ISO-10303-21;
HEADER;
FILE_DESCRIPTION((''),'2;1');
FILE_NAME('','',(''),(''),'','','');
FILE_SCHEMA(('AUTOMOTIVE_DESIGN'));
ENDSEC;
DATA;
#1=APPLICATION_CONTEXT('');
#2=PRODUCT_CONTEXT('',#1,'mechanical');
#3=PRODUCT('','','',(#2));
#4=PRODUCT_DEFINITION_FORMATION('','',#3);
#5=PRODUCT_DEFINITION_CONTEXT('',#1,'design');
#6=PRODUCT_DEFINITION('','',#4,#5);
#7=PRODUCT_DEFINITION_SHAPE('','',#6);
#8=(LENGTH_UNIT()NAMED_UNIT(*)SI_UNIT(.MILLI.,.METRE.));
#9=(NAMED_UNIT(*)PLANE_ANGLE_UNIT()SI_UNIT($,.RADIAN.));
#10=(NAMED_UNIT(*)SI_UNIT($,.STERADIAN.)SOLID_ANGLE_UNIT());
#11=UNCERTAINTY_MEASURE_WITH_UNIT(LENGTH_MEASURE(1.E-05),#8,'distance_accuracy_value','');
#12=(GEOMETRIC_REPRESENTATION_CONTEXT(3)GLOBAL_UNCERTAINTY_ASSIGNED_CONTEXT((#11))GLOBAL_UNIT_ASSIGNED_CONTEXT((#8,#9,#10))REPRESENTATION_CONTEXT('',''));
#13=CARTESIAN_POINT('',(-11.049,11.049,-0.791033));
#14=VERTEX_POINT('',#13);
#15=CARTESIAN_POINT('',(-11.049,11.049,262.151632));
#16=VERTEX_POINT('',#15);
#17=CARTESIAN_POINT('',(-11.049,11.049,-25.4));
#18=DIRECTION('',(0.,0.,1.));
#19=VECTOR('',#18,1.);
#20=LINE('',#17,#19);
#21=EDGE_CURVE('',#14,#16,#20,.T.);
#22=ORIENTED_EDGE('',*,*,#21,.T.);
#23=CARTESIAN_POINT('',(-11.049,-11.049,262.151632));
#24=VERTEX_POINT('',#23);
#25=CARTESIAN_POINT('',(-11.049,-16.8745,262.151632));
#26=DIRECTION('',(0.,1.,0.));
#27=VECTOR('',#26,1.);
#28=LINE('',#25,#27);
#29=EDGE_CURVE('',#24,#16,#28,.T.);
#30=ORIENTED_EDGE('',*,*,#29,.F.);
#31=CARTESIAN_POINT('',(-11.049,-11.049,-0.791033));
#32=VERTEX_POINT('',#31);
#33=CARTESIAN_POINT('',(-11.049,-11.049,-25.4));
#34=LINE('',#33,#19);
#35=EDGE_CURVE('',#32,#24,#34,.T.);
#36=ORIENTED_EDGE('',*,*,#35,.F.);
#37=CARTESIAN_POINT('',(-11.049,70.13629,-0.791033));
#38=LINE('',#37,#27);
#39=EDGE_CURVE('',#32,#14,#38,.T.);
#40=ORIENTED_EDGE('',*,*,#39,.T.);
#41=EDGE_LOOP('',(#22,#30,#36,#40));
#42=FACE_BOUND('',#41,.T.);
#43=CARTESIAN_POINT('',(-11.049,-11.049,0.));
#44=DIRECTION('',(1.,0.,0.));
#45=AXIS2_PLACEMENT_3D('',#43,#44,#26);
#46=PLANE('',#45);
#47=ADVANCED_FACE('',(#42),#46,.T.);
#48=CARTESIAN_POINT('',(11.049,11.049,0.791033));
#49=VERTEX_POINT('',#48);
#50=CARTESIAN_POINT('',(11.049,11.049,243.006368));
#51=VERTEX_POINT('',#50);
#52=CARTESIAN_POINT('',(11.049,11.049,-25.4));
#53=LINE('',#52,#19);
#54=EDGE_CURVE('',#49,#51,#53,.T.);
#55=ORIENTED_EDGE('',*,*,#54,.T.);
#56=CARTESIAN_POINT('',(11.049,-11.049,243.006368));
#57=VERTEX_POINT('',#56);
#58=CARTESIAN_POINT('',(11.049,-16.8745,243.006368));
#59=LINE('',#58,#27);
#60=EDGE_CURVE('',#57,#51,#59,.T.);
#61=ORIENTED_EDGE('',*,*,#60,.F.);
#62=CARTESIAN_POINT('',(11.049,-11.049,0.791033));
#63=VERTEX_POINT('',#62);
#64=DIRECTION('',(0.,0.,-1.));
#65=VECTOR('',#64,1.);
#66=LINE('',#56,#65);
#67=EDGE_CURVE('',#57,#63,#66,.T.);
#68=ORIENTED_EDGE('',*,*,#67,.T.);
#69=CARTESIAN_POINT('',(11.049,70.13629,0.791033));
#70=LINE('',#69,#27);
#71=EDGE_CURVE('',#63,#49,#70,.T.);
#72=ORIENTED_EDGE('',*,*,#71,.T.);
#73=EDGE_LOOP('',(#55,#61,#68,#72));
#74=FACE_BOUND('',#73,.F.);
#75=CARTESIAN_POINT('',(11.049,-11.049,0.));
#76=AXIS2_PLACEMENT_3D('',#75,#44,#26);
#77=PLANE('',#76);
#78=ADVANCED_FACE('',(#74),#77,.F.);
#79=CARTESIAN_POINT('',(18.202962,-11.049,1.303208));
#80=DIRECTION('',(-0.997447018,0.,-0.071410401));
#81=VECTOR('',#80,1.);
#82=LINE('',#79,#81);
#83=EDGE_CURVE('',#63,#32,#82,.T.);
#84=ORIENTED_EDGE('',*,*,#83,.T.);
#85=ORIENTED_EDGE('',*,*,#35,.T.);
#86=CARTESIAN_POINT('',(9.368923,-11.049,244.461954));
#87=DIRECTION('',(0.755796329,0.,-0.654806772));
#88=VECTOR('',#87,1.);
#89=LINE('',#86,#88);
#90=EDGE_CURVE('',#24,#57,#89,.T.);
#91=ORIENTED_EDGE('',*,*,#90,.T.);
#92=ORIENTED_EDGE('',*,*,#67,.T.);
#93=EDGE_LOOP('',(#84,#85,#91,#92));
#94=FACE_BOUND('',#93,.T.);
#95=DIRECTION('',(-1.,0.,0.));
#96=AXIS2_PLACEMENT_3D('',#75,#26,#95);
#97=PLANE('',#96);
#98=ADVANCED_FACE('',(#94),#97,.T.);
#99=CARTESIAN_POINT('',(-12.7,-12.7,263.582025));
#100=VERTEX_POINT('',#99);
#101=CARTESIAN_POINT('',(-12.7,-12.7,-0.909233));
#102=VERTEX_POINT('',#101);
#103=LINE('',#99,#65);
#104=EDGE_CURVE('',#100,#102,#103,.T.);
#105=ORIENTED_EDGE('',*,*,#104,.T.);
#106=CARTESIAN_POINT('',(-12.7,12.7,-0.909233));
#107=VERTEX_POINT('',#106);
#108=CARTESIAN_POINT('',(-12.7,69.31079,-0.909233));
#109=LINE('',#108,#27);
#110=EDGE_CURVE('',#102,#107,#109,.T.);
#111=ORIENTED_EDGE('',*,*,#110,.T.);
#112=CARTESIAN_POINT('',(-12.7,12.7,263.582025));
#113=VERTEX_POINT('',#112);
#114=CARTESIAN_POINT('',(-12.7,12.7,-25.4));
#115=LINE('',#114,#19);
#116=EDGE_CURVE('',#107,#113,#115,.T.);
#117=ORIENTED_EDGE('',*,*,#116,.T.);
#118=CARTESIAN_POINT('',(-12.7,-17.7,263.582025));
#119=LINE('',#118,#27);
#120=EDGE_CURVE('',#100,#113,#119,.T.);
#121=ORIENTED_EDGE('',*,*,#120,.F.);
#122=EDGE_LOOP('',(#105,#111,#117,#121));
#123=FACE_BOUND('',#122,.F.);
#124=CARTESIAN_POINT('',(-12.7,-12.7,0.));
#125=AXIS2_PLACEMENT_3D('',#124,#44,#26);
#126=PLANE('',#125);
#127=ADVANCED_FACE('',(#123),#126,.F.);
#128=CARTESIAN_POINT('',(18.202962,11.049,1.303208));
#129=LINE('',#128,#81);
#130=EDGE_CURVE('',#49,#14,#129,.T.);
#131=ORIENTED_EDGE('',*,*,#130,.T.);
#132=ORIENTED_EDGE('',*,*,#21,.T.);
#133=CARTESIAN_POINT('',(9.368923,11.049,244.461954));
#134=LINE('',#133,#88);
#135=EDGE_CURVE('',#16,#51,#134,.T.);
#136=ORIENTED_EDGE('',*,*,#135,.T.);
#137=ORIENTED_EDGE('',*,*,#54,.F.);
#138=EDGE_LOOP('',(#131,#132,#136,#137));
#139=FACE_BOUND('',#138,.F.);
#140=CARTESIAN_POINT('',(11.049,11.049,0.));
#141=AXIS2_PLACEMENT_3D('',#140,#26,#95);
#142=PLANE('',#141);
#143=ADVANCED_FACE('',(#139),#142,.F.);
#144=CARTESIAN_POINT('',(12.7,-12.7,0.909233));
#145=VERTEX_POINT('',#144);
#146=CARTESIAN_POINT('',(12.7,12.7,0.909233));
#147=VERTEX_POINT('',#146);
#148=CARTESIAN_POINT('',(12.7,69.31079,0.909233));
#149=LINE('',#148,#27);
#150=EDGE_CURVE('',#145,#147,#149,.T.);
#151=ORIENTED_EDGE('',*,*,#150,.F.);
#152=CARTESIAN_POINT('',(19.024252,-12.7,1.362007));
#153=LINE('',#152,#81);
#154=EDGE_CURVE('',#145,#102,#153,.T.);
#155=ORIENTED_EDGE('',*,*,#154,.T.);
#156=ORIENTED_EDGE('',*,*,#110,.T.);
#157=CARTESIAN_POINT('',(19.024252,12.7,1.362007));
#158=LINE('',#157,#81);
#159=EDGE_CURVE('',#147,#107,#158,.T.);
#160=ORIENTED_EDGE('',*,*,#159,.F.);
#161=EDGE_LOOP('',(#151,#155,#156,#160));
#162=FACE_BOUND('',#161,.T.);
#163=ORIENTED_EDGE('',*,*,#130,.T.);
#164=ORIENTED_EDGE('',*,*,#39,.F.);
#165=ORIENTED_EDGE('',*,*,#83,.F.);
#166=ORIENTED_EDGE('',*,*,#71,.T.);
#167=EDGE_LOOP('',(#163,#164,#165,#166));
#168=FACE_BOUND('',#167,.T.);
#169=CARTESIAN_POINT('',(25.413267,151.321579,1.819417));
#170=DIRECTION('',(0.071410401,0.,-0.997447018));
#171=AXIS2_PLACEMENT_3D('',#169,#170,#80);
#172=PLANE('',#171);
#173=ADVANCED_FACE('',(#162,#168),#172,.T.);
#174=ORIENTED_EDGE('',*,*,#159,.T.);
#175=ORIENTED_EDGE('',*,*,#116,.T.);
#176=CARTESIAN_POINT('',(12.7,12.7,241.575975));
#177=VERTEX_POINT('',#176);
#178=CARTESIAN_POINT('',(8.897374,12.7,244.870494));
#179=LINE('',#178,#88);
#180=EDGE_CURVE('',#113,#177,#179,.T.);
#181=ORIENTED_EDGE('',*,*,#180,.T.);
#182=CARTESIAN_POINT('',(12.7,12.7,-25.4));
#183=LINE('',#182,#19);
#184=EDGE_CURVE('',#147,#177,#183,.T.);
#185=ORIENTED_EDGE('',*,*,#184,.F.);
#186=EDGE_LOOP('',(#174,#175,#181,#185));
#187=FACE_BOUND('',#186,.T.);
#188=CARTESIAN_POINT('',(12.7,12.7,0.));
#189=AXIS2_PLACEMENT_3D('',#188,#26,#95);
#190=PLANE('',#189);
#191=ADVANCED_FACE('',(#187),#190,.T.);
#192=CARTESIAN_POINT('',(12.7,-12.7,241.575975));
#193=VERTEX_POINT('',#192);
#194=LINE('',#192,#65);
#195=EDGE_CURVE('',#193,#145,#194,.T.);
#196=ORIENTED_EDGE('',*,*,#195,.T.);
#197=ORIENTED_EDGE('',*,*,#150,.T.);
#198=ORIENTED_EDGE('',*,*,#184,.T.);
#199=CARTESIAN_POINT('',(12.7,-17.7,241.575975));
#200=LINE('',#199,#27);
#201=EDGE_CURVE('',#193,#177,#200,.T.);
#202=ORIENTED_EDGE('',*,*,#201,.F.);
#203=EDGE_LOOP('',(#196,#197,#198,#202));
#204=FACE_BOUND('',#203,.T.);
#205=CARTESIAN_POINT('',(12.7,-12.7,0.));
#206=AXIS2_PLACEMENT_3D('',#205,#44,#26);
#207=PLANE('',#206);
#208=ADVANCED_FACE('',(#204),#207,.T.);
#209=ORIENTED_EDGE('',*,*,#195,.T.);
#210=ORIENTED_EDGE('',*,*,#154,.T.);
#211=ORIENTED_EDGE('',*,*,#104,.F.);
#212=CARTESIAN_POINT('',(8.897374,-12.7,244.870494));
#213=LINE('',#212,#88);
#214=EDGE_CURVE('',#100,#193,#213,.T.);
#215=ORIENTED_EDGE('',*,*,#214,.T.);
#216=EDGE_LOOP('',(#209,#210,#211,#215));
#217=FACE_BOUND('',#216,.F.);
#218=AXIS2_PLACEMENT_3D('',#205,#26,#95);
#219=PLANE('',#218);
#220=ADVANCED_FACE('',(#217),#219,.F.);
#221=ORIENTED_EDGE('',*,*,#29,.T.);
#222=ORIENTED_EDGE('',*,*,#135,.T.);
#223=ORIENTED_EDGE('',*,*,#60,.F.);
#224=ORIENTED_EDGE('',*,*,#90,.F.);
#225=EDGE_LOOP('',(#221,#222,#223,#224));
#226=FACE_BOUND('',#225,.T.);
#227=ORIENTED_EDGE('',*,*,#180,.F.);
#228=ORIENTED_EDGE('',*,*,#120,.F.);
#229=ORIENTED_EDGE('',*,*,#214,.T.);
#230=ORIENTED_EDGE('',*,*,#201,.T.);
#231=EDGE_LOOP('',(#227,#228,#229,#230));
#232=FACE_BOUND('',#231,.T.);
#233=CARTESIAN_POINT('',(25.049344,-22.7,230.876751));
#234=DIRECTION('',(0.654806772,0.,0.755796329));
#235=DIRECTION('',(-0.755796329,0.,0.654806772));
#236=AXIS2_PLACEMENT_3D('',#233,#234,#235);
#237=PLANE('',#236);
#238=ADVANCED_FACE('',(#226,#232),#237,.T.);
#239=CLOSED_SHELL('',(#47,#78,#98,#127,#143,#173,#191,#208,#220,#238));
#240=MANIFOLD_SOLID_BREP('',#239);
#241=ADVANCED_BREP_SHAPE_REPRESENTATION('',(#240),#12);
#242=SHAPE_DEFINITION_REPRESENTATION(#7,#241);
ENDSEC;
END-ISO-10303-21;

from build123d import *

# Parameters (mm, degrees)
SKETCH1_W           = 25.4
SKETCH1_H           = 25.4
SKETCH1_W_2         = 22.098
SKETCH1_H_2         = 22.098
BOSS_EXTRUDE1_DEPTH = 252.579
SKETCH5_W           = 25.4
SKETCH5_H           = 25.4
SKETCH5_W_2         = 22.098
SKETCH5_H_2         = 22.098
BOSS_EXTRUDE2_DEPTH = 12.7
CUT_EXTRUDE1_DEPTH  = 36.4
SKETCH7_W           = 25.4
SKETCH7_H           = 25.4
SKETCH7_W_2         = 22.098
SKETCH7_H_2         = 22.098
BOSS_EXTRUDE3_DEPTH = 25.4
CUT_EXTRUDE2_DEPTH  = 165.021579309


with BuildPart() as part:
    # Sketch1 → Boss-Extrude1 (new body)
    with BuildSketch(Plane.XY):
        Rectangle(SKETCH1_W, SKETCH1_H)
        Rectangle(SKETCH1_W_2, SKETCH1_H_2, mode=Mode.SUBTRACT)
    extrude(amount=BOSS_EXTRUDE1_DEPTH)

    # Sketch5 → Boss-Extrude2 (add)
    with BuildSketch(Plane.XY.offset(252.579)):
        Rectangle(SKETCH5_W, SKETCH5_H)
        Rectangle(SKETCH5_W_2, SKETCH5_H_2, mode=Mode.SUBTRACT)
    extrude(amount=BOSS_EXTRUDE2_DEPTH)

    # Sketch6 → Cut-Extrude1 (cut, through all)
    with BuildSketch(Plane(origin=(0, -22.7, 252.579), x_dir=(-0.142456183, 0, 0.989801109), z_dir=(0, -1, 0))):
        Polygon((-25.049344305, -21.702249197), (26.869925532, 23.279564235), (45.864950848, -41.551460554), align=None)
    extrude(amount=-CUT_EXTRUDE1_DEPTH, mode=Mode.SUBTRACT)

    # Sketch7 → Boss-Extrude3 (add)
    with BuildSketch(Plane(origin=(0, 0, 0), x_dir=(-1, 0, 0), z_dir=(0, 0, -1))):
        Rectangle(SKETCH7_W, SKETCH7_H)
        Rectangle(SKETCH7_W_2, SKETCH7_H_2, mode=Mode.SUBTRACT)
    extrude(amount=BOSS_EXTRUDE3_DEPTH)

    # Sketch8 → Cut-Extrude2 (cut, through all)
    with BuildSketch(Plane(origin=(602.971957407, 151.321579309, -52.668394102), x_dir=(0.142456183, 0, -0.989801109), z_dir=(0, -1, 0))):
        Polygon((-136.208901871, -563.906106683), (-139.847734949, -614.732641149), (-41.725602435, -599.280432209), align=None)
    extrude(amount=CUT_EXTRUDE2_DEPTH, mode=Mode.SUBTRACT)


solid = part.part
